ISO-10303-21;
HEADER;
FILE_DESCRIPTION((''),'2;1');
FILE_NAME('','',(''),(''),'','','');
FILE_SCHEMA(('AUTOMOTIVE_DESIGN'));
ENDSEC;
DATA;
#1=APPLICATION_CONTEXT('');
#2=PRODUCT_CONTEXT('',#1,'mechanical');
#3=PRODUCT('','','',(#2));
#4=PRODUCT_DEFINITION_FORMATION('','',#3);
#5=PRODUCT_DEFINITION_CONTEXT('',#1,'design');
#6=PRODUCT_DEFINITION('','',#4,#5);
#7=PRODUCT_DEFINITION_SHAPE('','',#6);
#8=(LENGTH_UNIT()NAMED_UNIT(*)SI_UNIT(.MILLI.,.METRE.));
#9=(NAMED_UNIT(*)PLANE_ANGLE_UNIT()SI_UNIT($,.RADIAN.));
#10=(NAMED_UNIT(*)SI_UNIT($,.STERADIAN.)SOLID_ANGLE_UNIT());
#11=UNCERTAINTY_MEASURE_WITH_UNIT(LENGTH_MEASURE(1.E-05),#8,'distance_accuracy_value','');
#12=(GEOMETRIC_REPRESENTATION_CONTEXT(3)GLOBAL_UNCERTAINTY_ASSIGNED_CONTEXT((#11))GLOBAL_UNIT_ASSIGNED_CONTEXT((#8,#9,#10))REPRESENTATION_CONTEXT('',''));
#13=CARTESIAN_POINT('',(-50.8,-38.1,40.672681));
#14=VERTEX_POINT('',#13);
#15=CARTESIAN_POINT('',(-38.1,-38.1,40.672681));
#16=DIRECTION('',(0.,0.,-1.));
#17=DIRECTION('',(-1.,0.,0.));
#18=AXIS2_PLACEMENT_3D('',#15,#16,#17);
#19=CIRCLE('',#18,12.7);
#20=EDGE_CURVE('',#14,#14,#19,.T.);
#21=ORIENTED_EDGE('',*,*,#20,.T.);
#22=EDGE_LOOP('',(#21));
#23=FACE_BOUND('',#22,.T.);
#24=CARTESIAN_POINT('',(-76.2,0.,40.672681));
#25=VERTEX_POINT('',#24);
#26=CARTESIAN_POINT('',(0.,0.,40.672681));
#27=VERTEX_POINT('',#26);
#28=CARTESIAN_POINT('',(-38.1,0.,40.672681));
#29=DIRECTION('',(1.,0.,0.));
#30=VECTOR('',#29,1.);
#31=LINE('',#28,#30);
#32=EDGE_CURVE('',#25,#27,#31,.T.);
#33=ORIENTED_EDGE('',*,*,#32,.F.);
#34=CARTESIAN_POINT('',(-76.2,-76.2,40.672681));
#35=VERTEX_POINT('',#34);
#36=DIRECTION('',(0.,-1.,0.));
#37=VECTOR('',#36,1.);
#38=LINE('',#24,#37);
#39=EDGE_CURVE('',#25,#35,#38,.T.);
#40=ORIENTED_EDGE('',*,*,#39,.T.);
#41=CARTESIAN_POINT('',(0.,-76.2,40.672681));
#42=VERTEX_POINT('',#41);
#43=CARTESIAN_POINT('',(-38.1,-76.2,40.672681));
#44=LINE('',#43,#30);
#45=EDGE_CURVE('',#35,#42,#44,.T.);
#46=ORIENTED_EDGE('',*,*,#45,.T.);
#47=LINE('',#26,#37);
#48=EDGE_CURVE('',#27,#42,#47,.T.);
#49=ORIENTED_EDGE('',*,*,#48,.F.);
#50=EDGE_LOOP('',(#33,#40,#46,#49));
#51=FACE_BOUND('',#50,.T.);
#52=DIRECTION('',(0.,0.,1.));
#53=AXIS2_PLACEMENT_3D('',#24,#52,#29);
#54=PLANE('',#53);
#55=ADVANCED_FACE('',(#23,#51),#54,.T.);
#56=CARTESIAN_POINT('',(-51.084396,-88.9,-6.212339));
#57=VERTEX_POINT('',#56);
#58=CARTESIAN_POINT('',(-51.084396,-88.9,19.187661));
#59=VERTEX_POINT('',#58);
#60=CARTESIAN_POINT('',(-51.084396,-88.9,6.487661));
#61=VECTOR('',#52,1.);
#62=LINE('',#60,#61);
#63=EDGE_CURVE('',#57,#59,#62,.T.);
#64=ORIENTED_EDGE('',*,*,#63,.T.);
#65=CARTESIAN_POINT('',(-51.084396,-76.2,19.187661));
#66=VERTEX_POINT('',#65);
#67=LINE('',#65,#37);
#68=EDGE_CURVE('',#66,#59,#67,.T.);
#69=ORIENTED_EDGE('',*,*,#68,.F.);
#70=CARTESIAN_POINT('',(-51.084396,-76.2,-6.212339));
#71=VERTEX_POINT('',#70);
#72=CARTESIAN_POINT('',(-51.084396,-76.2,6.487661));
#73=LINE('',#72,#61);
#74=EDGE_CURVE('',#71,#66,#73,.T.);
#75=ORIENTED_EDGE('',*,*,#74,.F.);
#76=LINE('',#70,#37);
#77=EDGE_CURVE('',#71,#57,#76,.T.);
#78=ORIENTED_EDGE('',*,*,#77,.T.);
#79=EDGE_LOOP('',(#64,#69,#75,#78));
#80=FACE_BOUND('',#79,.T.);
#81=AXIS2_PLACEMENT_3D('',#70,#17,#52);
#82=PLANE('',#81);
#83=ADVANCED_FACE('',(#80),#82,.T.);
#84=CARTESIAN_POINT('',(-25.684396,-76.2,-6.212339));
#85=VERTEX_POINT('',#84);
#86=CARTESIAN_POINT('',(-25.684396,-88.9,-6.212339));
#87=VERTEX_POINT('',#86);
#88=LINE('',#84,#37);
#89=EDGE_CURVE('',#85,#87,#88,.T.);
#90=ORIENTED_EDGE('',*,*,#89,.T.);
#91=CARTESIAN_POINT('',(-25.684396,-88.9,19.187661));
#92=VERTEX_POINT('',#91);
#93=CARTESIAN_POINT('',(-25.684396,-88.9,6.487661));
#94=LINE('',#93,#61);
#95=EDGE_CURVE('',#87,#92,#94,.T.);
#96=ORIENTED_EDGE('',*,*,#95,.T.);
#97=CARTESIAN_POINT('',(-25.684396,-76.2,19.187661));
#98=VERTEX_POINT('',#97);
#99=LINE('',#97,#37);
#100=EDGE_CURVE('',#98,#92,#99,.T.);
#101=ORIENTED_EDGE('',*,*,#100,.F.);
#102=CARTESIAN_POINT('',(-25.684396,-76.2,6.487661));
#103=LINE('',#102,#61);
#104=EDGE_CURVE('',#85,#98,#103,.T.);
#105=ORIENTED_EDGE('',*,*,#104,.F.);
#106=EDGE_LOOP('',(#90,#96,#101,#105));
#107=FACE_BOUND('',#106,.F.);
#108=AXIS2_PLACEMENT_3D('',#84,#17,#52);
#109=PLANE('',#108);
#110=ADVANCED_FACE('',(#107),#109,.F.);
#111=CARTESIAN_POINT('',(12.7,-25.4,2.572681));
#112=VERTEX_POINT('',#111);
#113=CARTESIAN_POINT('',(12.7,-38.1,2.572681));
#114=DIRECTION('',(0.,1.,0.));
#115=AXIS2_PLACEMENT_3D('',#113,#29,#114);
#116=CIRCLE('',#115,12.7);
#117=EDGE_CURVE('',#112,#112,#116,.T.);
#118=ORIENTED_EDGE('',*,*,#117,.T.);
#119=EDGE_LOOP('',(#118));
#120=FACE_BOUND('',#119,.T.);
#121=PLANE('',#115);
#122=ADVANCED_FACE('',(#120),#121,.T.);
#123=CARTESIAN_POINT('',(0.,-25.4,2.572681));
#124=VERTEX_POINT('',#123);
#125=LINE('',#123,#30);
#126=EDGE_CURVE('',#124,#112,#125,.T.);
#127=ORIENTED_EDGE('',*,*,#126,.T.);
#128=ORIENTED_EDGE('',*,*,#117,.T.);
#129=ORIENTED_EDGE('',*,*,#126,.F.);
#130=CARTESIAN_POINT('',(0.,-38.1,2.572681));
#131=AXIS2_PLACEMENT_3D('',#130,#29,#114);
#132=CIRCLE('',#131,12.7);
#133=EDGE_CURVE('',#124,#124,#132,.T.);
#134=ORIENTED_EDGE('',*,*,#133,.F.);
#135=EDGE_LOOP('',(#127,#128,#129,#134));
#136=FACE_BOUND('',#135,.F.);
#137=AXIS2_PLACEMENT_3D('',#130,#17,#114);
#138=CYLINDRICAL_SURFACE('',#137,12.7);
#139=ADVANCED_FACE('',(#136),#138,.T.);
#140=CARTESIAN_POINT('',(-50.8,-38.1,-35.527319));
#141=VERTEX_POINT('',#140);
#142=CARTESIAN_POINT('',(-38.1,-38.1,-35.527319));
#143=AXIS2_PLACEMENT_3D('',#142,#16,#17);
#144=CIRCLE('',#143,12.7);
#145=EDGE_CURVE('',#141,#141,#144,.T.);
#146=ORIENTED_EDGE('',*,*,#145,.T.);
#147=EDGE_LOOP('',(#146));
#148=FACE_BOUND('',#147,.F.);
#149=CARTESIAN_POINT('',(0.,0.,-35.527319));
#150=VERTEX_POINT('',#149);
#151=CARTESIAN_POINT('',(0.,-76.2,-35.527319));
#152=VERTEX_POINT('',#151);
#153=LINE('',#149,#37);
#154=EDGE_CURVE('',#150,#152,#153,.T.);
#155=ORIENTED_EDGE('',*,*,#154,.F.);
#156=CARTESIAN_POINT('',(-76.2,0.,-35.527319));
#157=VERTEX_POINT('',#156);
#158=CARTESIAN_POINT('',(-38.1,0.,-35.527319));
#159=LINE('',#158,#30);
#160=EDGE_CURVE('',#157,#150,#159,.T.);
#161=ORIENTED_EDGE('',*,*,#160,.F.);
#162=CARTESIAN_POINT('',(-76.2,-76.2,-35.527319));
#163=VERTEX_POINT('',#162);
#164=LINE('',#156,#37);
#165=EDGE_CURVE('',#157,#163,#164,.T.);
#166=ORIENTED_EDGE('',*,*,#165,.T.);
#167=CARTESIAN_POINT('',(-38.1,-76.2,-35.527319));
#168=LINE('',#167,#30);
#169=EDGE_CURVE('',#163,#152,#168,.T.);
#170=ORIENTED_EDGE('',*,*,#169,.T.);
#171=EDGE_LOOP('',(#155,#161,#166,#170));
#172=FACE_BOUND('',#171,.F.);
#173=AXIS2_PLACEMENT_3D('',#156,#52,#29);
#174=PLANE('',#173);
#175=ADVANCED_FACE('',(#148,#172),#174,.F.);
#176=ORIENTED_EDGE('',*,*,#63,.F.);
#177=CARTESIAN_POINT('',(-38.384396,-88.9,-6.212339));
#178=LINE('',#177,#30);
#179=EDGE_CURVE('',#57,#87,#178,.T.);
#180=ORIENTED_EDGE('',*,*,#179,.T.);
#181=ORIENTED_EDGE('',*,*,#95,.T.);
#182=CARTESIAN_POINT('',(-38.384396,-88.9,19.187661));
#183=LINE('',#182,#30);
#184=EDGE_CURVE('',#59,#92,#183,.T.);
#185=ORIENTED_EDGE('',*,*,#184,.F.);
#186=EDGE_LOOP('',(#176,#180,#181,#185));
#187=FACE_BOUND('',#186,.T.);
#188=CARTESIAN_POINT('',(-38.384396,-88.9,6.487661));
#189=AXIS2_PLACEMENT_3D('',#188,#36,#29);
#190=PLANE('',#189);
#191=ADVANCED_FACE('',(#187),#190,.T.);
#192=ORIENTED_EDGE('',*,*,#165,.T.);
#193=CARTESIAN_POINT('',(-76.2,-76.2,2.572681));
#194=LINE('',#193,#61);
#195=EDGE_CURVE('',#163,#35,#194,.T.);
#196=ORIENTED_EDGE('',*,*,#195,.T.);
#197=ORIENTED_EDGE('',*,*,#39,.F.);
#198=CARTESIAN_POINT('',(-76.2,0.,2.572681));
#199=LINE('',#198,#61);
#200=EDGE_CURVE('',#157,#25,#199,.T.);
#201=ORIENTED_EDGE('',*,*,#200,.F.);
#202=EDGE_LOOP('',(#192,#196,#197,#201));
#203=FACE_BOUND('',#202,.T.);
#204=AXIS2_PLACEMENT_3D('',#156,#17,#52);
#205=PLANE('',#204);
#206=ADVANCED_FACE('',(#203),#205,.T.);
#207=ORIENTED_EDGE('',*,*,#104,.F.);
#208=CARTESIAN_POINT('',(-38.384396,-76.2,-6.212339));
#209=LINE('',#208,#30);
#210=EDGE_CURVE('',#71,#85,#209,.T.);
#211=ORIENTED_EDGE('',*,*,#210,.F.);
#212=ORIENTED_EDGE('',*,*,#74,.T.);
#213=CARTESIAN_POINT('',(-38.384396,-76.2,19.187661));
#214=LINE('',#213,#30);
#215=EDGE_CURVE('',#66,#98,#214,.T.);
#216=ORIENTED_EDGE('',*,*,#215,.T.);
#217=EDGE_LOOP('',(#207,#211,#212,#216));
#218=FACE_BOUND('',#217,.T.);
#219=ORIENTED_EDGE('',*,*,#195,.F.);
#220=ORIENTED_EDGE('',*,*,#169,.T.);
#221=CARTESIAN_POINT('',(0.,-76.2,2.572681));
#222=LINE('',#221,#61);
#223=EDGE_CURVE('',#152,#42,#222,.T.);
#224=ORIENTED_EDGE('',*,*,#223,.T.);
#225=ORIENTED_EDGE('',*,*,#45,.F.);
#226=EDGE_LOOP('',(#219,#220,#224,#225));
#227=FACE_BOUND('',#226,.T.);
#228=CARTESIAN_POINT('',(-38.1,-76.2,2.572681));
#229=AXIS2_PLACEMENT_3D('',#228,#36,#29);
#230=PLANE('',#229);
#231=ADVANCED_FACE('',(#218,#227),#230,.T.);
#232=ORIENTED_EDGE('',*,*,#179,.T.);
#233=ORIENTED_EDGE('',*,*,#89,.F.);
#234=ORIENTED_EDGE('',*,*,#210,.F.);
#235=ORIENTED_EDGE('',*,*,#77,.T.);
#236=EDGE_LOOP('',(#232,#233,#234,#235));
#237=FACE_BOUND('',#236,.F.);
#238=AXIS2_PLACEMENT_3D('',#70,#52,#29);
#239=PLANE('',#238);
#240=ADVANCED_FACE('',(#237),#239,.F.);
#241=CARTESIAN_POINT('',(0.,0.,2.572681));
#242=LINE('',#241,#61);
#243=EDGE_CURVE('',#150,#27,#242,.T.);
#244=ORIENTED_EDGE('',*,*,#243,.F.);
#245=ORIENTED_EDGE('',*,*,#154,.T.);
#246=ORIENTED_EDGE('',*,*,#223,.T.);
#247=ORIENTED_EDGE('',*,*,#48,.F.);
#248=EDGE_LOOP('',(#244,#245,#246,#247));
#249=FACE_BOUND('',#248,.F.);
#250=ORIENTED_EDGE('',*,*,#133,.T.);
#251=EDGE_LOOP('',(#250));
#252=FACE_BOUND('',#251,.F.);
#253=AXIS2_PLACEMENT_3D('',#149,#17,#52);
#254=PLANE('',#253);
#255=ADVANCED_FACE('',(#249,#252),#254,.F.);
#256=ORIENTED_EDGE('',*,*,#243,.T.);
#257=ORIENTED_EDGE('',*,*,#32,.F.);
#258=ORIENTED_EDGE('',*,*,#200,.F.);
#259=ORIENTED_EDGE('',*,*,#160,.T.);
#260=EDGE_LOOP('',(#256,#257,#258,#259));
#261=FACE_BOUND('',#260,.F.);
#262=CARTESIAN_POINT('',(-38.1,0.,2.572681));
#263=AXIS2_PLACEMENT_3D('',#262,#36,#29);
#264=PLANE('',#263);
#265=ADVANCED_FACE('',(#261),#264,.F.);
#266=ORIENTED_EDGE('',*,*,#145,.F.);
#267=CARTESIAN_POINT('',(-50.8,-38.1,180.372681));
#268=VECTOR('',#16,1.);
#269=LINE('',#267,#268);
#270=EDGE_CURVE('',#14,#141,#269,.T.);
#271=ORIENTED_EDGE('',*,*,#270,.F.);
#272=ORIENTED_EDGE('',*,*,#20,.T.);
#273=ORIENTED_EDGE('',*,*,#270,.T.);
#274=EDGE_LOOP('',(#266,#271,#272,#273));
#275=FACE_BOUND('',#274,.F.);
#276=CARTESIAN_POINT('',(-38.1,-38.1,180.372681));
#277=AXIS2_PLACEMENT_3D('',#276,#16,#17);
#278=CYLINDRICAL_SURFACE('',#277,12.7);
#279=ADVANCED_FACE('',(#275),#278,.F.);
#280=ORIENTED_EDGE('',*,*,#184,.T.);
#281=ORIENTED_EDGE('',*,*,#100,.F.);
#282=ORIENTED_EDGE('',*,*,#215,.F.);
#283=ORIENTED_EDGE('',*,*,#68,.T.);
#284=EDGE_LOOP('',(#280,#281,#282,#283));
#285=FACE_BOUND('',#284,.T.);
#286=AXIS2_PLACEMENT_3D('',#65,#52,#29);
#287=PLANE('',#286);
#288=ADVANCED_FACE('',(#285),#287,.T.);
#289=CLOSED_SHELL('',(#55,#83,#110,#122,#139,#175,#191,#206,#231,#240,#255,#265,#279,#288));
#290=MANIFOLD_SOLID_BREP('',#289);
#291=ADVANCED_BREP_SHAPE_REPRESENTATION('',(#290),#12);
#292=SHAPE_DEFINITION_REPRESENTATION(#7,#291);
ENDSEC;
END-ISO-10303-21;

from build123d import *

# Parameters (mm, degrees)
F0_W     = 76.2
F0_H     = 76.2
F1_DEPTH = 76.2
F2_W     = 25.4
F2_H     = 25.4
F3_DEPTH = 12.7
F6_D     = 25.4
F4_R     = 12.7
F7_DEPTH = 12.7


with BuildPart() as f1:
    # F0 (on Front) → F1 (new body)
    with BuildSketch(Plane.XZ):
        with Locations((-38.1, 2.572681)):
            Rectangle(F0_W, F0_H)
    extrude(amount=F1_DEPTH)

    # F2 (on face) → F3 (join)
    with BuildSketch(Plane.XZ.offset(76.2)):
        with Locations((-38.384396, 6.487661)):
            Rectangle(F2_W, F2_H)
    extrude(amount=F3_DEPTH)

    # F6 (through all)
    with Locations(Plane.XY.offset(40.672681)):
        with Locations((-38.1, -38.1)):
            Hole(F6_D / 2)

    # F4 (on face) → F7 (join)
    with BuildSketch(Plane.YZ):
        with Locations((-38.1, 2.572681)):
            Circle(F4_R)
    extrude(amount=F7_DEPTH)


solid = f1.part
